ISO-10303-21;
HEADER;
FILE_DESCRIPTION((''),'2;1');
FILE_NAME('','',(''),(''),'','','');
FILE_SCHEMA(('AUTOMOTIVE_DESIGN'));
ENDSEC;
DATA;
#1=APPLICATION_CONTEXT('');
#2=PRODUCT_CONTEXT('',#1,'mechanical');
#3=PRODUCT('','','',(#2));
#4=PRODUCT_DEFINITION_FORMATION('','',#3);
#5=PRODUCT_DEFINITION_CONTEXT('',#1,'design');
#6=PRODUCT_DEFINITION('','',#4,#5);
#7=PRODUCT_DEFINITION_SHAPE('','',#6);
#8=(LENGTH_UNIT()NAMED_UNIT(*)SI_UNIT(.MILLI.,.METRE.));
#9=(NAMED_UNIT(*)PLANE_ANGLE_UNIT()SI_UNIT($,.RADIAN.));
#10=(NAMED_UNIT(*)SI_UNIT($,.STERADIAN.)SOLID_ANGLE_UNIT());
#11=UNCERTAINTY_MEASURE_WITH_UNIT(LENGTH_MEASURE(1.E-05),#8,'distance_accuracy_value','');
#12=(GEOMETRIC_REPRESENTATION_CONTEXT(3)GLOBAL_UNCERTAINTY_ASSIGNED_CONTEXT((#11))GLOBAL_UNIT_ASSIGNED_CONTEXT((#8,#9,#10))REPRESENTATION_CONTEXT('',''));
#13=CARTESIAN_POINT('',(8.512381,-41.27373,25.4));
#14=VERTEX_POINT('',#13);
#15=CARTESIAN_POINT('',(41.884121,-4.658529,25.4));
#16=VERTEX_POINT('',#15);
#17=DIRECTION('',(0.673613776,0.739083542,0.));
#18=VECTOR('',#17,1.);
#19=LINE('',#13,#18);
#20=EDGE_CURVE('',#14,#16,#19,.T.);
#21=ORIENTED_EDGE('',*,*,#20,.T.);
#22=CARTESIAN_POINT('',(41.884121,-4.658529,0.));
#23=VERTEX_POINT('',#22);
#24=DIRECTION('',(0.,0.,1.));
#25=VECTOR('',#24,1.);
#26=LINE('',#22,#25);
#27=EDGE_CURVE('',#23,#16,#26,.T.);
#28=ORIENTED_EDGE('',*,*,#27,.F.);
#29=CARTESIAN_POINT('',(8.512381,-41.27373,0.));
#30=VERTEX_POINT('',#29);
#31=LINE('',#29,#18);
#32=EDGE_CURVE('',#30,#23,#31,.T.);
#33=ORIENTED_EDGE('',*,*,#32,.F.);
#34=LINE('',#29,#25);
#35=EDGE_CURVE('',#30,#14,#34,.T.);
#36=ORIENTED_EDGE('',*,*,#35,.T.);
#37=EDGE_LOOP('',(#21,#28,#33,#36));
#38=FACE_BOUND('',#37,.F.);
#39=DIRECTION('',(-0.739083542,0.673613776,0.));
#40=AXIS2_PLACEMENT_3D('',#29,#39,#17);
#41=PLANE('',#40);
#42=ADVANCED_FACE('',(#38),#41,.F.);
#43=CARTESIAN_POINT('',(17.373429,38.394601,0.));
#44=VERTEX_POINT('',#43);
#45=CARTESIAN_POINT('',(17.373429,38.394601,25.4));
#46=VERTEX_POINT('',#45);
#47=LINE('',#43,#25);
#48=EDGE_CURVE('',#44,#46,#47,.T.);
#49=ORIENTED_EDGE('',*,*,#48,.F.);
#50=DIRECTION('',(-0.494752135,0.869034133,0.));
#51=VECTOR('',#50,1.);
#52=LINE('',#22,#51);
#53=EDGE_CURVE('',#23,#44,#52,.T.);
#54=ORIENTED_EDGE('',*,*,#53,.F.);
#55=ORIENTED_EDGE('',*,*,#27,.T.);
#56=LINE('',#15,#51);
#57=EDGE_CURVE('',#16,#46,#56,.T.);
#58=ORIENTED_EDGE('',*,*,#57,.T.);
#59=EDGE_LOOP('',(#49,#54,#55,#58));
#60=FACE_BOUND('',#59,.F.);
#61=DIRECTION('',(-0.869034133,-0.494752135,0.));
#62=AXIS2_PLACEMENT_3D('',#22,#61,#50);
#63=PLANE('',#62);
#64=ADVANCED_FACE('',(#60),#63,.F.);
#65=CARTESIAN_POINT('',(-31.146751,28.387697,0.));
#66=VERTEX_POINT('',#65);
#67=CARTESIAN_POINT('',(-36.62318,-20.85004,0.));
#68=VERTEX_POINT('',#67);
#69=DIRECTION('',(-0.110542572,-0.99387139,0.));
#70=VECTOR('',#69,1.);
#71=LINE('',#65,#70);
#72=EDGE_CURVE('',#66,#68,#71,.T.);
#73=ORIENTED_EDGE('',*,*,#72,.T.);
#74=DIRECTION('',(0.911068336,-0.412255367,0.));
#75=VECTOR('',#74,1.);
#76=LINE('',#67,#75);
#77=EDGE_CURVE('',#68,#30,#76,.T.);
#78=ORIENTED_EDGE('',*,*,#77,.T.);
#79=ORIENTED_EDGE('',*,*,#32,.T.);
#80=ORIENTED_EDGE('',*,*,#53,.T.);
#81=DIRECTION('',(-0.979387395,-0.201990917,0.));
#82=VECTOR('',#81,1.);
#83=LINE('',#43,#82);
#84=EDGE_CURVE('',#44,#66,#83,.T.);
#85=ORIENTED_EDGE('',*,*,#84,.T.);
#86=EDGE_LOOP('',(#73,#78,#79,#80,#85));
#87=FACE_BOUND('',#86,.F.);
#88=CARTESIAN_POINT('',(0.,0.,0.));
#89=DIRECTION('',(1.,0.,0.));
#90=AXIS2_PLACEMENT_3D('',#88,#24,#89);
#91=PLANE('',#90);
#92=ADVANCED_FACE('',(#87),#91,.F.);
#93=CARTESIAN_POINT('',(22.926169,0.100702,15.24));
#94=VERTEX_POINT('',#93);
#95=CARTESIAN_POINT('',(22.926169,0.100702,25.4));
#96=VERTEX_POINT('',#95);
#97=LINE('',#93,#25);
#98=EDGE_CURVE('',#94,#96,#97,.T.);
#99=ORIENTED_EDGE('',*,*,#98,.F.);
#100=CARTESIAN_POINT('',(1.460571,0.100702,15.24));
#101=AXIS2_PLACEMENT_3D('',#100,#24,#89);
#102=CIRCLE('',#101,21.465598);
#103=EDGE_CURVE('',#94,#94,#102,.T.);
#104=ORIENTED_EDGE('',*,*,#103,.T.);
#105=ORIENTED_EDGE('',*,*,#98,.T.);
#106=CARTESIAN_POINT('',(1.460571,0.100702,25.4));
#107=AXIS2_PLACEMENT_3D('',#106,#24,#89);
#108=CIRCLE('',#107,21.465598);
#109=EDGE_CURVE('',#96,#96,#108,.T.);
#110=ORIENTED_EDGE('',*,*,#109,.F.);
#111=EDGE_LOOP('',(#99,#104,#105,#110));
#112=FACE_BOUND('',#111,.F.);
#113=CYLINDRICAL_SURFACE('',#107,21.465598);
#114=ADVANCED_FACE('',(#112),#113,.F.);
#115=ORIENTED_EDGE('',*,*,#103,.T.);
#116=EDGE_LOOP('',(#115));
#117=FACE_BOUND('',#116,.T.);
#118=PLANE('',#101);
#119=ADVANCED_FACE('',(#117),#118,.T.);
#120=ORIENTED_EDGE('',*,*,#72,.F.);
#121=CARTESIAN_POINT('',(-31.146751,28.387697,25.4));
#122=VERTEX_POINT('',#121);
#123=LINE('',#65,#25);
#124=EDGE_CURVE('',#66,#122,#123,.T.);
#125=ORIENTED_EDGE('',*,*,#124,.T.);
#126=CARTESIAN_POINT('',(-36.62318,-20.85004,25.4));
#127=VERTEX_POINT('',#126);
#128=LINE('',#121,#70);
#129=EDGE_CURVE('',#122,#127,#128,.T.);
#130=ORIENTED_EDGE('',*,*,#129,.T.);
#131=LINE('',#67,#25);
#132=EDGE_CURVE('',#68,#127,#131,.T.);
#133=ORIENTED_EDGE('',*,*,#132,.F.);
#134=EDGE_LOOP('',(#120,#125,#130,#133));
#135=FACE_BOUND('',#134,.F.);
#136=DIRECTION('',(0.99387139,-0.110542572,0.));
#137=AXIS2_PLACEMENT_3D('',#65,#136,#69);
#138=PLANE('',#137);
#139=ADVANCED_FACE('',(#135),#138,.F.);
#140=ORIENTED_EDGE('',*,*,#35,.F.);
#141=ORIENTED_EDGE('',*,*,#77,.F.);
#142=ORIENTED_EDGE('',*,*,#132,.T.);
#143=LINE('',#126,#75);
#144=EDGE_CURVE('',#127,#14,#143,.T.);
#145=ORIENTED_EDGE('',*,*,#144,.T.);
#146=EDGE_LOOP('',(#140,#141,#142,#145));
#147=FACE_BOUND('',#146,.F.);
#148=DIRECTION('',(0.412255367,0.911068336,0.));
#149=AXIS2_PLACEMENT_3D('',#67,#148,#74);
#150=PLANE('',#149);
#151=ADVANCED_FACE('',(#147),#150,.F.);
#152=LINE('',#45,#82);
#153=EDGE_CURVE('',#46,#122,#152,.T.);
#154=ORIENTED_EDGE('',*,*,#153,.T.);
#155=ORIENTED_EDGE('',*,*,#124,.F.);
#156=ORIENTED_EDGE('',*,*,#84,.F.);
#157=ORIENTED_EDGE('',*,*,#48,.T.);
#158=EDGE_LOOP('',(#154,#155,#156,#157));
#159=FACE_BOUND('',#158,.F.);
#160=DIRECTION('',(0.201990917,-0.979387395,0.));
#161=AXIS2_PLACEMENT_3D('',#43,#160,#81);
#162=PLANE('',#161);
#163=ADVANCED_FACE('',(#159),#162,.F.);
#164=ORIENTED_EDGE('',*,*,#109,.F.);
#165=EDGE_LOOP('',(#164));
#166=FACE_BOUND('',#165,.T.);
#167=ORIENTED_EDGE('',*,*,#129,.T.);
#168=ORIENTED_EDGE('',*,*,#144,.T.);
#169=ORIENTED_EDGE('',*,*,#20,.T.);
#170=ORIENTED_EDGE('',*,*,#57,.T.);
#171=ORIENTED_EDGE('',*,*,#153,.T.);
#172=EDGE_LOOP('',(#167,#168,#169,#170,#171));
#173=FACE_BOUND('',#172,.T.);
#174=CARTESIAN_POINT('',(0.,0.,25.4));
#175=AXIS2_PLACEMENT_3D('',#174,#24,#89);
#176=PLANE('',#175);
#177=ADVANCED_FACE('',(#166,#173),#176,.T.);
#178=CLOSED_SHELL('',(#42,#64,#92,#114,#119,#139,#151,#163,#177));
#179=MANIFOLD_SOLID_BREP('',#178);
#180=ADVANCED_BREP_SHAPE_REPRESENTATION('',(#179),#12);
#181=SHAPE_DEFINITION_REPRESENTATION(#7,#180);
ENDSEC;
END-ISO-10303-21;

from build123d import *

# Parameters (mm, degrees)
F1_DEPTH = 25.4
F2_R     = 21.465598
F3_DEPTH = 10.16


with BuildPart() as f1:
    # F0 (on Top) → F1 (new body)
    with BuildSketch(Plane.XY):
        Polygon((8.512381, -41.27373), (41.884121, -4.658529), (17.373429, 38.394601), (-31.146751, 28.387697), (-36.62318, -20.85004), align=None)
    extrude(amount=F1_DEPTH)

    # F2 (on face) → F3 (cut, symmetric)
    with BuildSketch(Plane.XY.offset(25.4)):
        with Locations((1.460571, 0.100702)):
            Circle(F2_R)
    extrude(amount=F3_DEPTH, both=True, mode=Mode.SUBTRACT)


solid = f1.part
